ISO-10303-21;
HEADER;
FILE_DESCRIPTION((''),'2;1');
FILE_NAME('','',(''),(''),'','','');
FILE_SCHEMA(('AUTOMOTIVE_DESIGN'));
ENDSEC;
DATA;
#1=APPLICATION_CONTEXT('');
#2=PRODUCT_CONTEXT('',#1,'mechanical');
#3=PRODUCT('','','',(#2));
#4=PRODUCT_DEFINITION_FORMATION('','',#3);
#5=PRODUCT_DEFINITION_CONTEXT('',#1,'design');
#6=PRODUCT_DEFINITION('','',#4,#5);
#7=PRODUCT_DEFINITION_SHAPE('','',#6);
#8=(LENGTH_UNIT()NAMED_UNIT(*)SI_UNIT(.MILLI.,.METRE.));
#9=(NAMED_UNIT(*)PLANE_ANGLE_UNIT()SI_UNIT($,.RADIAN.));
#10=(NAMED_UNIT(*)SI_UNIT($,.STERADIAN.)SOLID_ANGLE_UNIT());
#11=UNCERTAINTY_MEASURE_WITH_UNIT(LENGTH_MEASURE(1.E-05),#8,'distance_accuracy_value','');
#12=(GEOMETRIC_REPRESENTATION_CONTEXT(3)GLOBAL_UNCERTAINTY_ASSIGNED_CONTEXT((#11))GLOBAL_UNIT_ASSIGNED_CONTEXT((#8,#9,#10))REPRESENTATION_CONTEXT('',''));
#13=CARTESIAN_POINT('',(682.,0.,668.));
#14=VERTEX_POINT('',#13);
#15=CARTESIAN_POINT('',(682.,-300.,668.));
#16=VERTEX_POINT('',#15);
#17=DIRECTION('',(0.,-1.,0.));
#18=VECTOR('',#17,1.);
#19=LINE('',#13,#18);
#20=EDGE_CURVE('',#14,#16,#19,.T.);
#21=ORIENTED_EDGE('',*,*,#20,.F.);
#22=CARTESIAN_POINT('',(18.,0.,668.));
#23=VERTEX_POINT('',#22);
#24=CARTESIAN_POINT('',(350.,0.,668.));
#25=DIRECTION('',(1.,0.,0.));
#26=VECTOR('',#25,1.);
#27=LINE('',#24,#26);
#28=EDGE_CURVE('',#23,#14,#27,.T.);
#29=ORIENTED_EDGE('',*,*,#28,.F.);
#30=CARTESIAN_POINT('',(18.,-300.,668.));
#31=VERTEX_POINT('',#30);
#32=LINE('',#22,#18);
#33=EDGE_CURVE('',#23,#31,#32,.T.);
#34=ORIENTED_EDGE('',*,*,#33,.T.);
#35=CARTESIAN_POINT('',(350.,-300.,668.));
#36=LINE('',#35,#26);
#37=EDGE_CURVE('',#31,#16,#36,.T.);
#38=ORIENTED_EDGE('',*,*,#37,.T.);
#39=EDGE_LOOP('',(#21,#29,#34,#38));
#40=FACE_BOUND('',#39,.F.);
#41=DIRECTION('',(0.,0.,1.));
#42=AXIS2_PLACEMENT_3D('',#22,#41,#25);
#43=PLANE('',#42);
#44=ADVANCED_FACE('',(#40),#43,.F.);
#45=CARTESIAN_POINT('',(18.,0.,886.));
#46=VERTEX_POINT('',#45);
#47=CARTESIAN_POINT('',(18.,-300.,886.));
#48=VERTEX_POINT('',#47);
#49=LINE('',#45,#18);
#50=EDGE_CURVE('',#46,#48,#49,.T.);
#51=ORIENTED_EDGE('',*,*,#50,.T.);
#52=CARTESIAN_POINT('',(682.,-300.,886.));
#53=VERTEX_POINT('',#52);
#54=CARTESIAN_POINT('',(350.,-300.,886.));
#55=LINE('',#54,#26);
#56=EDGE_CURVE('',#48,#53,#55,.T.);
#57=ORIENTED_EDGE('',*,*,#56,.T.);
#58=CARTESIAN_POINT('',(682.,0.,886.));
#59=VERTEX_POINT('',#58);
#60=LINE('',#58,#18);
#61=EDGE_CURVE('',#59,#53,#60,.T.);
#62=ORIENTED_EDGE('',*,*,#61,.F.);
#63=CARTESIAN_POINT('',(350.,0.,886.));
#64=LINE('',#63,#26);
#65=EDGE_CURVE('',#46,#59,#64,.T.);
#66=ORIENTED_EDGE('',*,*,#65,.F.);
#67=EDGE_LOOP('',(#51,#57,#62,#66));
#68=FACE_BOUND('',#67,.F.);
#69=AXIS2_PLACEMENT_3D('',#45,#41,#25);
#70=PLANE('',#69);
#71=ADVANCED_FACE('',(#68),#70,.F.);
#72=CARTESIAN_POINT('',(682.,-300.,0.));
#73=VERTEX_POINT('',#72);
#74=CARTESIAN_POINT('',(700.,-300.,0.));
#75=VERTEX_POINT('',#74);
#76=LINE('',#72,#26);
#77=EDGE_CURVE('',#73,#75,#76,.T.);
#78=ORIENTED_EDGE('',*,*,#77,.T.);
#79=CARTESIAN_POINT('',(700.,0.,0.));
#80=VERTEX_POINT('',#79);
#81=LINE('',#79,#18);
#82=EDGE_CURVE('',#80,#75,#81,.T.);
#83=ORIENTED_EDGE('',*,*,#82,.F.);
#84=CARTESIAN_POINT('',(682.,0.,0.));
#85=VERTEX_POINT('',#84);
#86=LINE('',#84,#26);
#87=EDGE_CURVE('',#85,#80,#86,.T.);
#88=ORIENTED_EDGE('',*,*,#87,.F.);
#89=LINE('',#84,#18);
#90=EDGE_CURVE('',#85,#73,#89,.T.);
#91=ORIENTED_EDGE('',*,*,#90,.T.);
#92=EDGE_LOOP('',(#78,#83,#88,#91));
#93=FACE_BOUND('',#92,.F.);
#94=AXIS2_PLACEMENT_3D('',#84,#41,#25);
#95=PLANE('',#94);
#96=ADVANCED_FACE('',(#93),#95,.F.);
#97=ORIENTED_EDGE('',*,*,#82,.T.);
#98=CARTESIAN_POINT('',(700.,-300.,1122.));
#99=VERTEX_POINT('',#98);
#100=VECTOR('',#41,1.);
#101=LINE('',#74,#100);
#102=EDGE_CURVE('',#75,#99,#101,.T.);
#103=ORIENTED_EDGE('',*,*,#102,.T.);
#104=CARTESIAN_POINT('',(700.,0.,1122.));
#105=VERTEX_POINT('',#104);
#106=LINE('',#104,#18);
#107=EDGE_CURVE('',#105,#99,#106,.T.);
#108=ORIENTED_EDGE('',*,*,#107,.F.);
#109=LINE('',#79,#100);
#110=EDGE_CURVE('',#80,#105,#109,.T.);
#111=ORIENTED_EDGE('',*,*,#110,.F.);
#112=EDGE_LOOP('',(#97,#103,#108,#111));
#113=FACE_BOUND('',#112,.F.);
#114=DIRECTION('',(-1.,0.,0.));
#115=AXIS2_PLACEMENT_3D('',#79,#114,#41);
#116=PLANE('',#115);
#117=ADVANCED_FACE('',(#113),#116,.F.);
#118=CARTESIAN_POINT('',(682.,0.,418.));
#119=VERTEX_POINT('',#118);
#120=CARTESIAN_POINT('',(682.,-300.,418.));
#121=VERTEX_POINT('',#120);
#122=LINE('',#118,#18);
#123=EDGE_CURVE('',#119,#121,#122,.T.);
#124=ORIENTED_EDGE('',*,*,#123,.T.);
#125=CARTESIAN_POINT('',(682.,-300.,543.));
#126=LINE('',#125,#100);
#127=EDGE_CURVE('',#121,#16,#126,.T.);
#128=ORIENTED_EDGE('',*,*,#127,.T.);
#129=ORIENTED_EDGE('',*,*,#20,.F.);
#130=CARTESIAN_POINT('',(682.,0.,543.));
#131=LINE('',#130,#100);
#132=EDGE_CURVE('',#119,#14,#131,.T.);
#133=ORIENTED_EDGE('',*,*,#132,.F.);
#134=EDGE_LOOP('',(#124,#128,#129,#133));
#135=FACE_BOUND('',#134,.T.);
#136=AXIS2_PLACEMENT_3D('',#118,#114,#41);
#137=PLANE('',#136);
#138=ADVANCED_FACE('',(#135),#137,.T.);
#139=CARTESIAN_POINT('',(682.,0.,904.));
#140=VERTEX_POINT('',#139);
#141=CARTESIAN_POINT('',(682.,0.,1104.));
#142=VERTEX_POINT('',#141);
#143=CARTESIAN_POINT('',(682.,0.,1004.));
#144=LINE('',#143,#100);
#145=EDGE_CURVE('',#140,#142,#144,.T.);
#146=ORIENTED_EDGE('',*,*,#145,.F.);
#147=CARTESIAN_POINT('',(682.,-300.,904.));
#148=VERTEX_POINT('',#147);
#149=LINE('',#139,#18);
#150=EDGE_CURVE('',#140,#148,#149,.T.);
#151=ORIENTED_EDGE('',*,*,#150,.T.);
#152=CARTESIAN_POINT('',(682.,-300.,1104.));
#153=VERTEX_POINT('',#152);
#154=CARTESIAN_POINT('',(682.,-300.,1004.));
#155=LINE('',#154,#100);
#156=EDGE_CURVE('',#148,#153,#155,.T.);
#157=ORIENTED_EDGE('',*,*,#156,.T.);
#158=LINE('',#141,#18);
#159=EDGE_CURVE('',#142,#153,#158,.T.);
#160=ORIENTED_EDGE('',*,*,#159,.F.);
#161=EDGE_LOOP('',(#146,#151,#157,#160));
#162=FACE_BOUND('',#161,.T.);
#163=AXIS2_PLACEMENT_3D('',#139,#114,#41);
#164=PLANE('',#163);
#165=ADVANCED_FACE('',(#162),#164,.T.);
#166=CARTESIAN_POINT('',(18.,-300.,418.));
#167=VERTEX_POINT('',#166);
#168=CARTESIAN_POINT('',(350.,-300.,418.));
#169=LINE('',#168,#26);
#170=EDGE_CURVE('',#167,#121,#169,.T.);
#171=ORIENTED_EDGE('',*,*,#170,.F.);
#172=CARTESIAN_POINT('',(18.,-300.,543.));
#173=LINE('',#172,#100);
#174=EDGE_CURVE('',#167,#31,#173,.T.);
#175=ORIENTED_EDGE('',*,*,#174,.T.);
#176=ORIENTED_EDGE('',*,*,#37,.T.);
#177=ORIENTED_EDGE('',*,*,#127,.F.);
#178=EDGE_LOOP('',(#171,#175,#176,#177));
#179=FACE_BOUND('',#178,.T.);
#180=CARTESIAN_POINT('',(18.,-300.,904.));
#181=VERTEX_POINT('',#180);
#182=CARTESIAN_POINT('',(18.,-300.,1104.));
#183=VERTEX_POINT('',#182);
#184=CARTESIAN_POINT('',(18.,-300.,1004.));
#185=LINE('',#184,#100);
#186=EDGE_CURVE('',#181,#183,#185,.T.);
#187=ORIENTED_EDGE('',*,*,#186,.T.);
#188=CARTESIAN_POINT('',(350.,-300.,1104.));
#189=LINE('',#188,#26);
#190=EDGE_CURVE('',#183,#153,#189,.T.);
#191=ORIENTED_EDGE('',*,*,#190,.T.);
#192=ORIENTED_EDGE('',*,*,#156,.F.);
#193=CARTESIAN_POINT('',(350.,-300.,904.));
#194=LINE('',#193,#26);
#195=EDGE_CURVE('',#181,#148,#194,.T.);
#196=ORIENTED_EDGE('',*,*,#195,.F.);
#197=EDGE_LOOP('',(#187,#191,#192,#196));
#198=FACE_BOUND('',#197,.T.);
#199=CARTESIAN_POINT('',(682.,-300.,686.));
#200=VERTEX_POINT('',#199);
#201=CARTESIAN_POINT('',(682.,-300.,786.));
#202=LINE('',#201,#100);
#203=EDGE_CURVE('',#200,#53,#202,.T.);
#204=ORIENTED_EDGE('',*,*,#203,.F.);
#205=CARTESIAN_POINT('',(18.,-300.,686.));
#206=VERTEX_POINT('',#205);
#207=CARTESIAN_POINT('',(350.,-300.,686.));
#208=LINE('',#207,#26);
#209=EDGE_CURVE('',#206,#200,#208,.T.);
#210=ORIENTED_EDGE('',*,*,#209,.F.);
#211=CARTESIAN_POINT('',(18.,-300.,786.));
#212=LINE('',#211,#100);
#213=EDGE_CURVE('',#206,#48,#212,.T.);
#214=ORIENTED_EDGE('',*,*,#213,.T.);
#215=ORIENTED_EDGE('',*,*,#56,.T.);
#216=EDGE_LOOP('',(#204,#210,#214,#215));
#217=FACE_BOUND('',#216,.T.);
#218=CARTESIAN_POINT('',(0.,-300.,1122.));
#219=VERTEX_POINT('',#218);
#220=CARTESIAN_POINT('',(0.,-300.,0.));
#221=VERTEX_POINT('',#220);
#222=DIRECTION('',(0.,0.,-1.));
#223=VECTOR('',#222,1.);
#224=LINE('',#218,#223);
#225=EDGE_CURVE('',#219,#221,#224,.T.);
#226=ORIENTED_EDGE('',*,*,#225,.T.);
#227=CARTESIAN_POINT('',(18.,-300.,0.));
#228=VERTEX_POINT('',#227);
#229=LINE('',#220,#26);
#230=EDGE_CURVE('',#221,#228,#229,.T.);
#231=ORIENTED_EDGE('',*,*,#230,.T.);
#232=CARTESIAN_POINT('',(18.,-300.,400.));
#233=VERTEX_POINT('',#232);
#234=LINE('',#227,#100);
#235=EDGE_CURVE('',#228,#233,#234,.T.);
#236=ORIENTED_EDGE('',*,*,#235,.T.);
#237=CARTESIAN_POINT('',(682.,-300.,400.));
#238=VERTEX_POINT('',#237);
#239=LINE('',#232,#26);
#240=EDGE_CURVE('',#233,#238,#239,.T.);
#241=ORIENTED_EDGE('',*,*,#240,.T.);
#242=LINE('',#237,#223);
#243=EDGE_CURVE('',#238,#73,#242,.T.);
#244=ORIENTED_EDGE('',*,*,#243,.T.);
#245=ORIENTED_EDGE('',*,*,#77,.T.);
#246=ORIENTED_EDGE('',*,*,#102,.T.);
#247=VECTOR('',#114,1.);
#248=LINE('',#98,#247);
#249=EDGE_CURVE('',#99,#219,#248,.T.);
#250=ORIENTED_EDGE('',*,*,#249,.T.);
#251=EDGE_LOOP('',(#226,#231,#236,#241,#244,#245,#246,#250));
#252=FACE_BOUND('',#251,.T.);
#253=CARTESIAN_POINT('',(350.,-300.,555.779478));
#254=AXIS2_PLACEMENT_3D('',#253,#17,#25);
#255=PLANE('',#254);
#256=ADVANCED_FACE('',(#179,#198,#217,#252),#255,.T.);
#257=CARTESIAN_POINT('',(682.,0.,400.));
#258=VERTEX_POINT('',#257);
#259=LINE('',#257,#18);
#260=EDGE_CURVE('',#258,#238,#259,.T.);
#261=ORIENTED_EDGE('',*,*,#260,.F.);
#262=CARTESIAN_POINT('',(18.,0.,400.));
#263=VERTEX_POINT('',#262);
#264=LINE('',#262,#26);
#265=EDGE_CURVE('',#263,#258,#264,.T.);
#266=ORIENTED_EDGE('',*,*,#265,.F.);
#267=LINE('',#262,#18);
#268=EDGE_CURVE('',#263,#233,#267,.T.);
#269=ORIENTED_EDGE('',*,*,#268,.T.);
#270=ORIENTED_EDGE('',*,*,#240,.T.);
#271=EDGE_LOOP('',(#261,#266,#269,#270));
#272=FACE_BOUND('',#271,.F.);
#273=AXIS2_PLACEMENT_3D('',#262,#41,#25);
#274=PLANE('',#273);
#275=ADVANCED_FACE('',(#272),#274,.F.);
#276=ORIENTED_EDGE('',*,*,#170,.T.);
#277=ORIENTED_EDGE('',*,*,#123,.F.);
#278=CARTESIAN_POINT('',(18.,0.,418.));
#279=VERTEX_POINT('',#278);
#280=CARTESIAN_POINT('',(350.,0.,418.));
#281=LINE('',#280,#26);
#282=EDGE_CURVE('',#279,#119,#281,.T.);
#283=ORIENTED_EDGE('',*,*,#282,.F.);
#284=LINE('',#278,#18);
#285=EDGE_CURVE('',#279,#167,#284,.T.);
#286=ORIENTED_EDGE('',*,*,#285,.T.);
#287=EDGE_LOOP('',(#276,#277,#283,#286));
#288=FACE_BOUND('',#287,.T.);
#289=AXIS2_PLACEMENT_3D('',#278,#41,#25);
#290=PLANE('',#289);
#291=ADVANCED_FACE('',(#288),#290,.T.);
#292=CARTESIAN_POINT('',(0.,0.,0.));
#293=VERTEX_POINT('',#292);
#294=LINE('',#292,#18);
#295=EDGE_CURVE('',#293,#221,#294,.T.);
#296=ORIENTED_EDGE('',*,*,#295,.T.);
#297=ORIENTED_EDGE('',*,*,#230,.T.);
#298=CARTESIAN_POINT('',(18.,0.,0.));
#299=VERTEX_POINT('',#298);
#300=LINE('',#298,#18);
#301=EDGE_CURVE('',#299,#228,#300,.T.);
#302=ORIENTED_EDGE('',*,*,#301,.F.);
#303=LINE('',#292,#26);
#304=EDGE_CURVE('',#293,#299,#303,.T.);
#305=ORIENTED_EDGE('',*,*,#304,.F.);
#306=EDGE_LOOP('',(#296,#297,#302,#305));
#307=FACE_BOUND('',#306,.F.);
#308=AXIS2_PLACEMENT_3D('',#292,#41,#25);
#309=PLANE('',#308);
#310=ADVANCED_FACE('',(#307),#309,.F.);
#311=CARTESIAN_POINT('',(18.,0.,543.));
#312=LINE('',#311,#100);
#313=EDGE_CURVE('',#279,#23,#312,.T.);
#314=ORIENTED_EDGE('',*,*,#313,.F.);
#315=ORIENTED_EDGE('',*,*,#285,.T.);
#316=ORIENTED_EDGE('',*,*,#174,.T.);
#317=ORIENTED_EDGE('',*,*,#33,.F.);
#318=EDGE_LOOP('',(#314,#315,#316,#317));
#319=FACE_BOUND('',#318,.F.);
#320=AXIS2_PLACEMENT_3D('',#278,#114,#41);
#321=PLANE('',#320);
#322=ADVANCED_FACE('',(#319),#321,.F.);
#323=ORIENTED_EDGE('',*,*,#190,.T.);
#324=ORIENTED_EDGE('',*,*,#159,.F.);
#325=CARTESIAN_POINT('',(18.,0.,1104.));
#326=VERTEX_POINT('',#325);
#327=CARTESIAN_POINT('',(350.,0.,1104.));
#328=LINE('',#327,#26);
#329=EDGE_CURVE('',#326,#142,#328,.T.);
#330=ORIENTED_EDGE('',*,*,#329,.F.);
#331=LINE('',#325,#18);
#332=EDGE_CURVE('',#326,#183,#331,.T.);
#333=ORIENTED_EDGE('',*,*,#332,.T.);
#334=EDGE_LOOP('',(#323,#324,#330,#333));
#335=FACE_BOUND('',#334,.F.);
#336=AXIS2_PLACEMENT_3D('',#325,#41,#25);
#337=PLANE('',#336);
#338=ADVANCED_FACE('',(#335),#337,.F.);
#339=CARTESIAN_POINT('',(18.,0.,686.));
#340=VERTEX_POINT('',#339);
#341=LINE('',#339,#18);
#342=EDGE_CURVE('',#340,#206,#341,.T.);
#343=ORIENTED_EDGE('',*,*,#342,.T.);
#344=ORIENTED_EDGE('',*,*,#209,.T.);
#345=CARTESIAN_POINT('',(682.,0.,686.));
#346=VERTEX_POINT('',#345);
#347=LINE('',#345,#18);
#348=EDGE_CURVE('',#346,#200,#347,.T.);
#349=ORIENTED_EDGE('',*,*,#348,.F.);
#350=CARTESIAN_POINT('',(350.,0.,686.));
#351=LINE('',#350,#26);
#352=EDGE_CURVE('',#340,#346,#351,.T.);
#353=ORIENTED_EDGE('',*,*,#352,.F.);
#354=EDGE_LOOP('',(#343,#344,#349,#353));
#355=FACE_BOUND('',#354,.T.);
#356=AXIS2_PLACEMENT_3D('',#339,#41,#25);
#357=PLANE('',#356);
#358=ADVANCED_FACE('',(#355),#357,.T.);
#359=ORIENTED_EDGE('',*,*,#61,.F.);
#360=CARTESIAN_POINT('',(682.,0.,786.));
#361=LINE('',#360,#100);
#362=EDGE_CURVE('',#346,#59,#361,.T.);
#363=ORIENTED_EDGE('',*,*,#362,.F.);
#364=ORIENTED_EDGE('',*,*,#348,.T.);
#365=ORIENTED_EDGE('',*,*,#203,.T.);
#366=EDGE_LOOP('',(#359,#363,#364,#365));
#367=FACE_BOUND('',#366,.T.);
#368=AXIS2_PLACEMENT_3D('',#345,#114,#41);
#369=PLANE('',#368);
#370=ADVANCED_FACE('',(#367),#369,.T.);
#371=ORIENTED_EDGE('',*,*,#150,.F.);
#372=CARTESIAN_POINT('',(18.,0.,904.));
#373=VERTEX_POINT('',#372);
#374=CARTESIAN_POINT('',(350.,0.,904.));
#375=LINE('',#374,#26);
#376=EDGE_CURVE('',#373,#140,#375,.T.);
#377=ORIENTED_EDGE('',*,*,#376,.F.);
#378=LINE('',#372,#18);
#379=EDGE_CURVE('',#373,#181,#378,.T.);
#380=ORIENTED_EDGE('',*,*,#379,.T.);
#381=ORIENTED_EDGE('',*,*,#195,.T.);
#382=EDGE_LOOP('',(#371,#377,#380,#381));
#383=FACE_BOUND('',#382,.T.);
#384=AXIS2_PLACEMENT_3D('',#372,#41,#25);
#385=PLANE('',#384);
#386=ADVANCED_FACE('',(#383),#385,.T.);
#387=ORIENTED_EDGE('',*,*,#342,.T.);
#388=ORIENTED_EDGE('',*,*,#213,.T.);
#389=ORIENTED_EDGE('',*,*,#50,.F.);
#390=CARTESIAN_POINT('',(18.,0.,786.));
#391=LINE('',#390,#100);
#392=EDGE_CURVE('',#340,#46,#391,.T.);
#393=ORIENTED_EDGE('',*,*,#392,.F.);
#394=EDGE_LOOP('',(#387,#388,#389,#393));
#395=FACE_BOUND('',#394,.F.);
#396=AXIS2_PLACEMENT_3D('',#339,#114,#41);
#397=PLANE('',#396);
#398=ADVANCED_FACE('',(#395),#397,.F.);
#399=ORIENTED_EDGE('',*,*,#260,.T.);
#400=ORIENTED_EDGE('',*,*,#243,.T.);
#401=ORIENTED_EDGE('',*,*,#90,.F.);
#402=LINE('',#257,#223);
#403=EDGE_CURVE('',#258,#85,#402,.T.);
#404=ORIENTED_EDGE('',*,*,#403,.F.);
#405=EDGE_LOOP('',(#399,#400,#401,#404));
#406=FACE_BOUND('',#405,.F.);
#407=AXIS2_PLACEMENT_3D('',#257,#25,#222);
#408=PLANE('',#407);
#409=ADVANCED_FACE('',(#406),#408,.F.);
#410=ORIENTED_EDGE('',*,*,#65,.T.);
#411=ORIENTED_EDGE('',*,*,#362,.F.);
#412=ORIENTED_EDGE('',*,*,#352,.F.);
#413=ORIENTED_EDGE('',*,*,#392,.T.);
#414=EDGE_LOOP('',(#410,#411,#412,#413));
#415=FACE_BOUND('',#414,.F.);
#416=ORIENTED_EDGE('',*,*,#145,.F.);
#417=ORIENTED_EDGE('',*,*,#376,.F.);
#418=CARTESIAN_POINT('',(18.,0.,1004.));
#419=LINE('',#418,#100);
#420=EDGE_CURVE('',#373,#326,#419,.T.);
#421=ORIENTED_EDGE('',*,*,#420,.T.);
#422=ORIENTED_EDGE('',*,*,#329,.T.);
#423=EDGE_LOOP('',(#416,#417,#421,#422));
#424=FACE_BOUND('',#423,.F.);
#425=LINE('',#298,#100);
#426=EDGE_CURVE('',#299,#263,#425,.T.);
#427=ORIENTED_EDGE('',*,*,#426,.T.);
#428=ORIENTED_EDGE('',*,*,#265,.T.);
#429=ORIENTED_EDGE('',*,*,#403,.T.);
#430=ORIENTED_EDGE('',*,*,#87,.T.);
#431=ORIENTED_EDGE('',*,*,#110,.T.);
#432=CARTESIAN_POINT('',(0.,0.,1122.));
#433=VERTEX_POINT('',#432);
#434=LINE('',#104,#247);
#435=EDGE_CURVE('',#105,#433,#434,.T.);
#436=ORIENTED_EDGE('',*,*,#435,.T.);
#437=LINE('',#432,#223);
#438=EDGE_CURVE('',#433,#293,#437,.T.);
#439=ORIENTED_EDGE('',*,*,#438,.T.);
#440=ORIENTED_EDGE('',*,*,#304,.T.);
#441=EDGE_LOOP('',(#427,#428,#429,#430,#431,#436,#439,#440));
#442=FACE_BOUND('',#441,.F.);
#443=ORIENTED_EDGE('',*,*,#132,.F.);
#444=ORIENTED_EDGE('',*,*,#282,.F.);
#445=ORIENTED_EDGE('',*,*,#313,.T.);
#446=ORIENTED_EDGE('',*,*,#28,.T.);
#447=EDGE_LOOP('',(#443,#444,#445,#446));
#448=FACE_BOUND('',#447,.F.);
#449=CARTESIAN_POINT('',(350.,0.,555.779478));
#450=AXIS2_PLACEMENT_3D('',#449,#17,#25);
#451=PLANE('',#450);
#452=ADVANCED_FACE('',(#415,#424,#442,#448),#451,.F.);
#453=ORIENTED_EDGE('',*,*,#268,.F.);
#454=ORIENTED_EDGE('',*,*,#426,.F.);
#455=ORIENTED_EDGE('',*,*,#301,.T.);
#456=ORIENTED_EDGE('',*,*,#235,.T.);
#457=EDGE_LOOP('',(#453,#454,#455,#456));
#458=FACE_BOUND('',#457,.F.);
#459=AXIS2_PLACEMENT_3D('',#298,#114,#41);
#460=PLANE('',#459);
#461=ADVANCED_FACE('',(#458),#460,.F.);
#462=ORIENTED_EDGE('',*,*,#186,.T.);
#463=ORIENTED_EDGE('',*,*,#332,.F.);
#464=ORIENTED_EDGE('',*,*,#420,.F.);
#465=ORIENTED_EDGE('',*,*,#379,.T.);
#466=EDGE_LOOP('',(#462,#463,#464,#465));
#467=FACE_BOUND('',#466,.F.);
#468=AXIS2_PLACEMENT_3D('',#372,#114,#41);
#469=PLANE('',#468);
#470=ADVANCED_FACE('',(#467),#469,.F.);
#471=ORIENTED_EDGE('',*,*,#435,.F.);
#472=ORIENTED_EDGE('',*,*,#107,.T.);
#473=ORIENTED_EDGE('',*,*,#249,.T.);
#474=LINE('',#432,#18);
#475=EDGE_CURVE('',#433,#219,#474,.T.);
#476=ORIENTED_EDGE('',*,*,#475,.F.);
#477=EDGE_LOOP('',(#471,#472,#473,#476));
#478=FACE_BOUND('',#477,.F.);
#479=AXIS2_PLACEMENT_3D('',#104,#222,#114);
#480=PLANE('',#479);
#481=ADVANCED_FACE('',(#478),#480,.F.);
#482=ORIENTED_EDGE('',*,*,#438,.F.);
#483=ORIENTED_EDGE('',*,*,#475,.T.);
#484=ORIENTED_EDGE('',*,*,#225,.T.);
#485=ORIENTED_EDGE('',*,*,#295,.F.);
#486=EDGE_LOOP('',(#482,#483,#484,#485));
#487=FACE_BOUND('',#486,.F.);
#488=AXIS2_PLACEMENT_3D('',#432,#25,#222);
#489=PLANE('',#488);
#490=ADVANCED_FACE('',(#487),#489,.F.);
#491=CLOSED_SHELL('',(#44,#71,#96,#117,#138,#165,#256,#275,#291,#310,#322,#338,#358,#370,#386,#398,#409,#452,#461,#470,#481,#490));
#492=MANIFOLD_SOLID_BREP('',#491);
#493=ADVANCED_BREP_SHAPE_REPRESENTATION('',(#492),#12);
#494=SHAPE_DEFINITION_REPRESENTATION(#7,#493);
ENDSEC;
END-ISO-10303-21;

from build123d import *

# Parameters (mm, degrees)
F0_W     = 664
F0_H     = 250
F0_H_2   = 200
F1_DEPTH = 300


with BuildPart() as f1:
    # F0 (on Front) → F1 (new body)
    with BuildSketch(Plane.XZ):
        Polygon((0, 1122), (0, 0), (18, 0), (18, 400), (682, 400), (682, 0), (700, 0), (700, 1122), (682, 1122), (18, 1122), align=None)
        with Locations((350, 543)):
            Rectangle(F0_W, F0_H, mode=Mode.SUBTRACT)
        with Locations((350, 786)):
            Rectangle(F0_W, F0_H_2, mode=Mode.SUBTRACT)
        with Locations((350, 1004)):
            Rectangle(F0_W, F0_H_2, mode=Mode.SUBTRACT)
    extrude(amount=F1_DEPTH)


solid = f1.part
